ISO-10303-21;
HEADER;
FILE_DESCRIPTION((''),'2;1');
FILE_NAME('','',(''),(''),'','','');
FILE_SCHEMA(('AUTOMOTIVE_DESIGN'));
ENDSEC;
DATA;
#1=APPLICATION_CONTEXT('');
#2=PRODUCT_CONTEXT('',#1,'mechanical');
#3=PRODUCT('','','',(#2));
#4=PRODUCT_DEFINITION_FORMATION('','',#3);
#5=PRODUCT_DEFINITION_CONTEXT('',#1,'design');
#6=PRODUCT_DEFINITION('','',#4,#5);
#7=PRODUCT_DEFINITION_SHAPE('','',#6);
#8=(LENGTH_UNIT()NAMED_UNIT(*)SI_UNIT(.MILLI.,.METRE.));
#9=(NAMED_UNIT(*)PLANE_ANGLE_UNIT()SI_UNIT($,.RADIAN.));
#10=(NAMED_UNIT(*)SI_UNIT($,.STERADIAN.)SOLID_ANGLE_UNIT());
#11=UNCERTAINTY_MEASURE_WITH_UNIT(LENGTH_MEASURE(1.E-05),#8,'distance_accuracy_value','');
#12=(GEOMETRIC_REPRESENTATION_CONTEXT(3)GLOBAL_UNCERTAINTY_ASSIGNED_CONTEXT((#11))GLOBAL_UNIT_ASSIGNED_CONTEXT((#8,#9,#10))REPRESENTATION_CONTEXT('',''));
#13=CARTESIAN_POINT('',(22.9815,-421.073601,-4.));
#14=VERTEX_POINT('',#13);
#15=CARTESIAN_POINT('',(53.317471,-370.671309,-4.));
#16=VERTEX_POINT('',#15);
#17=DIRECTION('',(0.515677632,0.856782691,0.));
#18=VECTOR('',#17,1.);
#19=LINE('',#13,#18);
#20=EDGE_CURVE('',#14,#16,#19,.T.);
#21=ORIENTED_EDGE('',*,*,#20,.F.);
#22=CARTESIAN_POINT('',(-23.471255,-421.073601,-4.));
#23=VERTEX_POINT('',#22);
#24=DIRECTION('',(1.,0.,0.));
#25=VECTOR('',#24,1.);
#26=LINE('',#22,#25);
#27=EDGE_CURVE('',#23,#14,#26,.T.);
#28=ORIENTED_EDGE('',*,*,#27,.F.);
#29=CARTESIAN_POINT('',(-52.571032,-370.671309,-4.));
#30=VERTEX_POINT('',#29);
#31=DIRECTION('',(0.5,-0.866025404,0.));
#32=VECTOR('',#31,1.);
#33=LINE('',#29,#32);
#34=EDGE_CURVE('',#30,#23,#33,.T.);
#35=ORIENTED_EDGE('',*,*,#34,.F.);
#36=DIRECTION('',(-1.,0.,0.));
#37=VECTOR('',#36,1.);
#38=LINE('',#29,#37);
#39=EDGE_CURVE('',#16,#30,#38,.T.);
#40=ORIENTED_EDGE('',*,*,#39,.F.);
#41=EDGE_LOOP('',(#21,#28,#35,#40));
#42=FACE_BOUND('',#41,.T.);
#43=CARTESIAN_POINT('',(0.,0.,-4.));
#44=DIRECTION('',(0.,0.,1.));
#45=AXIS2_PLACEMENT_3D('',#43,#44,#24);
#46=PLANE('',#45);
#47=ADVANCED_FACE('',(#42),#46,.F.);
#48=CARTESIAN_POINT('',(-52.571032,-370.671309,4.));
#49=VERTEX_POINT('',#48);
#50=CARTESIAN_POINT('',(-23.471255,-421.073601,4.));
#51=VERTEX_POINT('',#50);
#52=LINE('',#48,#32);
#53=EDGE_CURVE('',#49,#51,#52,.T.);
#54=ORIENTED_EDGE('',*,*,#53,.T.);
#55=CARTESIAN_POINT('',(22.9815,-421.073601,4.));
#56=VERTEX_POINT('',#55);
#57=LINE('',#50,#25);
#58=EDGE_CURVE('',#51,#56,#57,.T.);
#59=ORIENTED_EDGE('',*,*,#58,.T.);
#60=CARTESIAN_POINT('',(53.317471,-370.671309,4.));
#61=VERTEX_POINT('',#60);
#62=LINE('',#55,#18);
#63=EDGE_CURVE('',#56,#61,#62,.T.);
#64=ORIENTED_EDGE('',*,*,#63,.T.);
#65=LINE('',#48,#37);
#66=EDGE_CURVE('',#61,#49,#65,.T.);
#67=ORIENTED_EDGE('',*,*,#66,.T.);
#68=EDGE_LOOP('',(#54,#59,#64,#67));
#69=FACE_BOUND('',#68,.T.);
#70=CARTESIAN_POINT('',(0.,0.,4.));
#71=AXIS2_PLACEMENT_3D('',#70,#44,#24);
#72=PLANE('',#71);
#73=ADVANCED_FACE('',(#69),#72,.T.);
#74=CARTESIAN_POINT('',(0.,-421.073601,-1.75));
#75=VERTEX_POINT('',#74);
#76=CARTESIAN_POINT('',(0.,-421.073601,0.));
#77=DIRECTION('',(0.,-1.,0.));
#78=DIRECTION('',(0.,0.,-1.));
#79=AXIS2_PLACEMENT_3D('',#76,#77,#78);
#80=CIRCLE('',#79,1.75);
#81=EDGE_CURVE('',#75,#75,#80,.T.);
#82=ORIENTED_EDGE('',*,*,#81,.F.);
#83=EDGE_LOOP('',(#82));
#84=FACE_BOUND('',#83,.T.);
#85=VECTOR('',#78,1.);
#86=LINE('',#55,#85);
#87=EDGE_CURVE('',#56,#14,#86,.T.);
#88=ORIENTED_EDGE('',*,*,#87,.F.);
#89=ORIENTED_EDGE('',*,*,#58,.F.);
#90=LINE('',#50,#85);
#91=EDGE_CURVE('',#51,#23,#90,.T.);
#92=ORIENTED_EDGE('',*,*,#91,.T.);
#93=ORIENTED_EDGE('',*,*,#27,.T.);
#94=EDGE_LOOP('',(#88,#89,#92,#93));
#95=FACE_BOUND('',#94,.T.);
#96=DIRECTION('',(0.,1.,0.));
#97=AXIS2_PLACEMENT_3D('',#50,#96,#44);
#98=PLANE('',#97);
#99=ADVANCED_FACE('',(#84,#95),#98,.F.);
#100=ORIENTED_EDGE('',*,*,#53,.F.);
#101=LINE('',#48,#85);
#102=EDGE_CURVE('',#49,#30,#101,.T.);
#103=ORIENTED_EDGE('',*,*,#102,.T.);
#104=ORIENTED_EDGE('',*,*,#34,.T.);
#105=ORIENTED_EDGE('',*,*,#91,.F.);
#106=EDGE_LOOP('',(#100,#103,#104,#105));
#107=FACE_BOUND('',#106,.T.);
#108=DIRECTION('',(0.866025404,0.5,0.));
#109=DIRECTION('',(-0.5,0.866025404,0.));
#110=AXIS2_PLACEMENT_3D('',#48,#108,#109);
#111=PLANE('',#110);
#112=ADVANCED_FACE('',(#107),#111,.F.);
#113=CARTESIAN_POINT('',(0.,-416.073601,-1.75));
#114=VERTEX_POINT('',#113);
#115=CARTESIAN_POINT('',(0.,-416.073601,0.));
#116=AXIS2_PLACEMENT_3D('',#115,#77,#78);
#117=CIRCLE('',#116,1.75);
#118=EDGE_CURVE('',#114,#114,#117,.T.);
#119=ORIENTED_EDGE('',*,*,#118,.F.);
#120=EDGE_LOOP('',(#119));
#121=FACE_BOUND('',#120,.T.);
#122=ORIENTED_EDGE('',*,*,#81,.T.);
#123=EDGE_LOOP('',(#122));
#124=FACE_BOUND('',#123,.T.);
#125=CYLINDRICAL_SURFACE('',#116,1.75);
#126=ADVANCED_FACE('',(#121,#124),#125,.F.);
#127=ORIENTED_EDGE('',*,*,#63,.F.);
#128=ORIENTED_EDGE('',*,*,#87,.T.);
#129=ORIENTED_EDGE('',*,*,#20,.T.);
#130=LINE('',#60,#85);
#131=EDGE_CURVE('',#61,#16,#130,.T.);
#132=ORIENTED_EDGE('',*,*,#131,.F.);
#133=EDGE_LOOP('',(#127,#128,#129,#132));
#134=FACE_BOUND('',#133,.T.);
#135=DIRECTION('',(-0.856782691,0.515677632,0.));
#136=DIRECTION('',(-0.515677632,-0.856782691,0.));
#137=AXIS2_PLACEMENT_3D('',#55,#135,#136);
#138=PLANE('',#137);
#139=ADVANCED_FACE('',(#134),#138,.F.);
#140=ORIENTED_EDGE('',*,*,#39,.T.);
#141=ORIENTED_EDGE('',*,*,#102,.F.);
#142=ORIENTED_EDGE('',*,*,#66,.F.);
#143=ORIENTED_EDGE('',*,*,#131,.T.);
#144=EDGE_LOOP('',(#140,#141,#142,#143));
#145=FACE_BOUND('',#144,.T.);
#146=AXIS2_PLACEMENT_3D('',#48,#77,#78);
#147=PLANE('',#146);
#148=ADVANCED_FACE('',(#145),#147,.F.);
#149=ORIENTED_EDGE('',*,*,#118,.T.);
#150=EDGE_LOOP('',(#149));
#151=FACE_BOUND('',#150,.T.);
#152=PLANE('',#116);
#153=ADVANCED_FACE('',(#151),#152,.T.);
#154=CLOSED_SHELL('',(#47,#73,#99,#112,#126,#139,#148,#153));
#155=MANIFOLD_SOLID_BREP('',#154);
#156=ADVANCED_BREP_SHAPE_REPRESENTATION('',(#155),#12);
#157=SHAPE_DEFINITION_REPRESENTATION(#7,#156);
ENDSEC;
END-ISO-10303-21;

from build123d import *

# Parameters (mm, degrees)
BOSS_EXTRUDE1_DEPTH = 4
SKETCH6_R           = 1.75
CUT_EXTRUDE1_DEPTH  = 5


with BuildPart() as part:
    # Sketch5 → Boss-Extrude1 (new, symmetric)
    with BuildSketch(Plane.XY):
        Polygon((-52.571031757, -370.671309458), (53.31747051, -370.671309458), (22.981500363, -421.073600557), (-23.471255423, -421.073600557), align=None)
    extrude(amount=BOSS_EXTRUDE1_DEPTH, both=True)

    # Sketch6 → Cut-Extrude1 (cut)
    with BuildSketch(Plane.XZ.offset(421.073600557)):
        with Locations(Location((0, 0, 0), (0, 0, 270))):
            Circle(SKETCH6_R)
    extrude(amount=-CUT_EXTRUDE1_DEPTH, mode=Mode.SUBTRACT)


solid = part.part
